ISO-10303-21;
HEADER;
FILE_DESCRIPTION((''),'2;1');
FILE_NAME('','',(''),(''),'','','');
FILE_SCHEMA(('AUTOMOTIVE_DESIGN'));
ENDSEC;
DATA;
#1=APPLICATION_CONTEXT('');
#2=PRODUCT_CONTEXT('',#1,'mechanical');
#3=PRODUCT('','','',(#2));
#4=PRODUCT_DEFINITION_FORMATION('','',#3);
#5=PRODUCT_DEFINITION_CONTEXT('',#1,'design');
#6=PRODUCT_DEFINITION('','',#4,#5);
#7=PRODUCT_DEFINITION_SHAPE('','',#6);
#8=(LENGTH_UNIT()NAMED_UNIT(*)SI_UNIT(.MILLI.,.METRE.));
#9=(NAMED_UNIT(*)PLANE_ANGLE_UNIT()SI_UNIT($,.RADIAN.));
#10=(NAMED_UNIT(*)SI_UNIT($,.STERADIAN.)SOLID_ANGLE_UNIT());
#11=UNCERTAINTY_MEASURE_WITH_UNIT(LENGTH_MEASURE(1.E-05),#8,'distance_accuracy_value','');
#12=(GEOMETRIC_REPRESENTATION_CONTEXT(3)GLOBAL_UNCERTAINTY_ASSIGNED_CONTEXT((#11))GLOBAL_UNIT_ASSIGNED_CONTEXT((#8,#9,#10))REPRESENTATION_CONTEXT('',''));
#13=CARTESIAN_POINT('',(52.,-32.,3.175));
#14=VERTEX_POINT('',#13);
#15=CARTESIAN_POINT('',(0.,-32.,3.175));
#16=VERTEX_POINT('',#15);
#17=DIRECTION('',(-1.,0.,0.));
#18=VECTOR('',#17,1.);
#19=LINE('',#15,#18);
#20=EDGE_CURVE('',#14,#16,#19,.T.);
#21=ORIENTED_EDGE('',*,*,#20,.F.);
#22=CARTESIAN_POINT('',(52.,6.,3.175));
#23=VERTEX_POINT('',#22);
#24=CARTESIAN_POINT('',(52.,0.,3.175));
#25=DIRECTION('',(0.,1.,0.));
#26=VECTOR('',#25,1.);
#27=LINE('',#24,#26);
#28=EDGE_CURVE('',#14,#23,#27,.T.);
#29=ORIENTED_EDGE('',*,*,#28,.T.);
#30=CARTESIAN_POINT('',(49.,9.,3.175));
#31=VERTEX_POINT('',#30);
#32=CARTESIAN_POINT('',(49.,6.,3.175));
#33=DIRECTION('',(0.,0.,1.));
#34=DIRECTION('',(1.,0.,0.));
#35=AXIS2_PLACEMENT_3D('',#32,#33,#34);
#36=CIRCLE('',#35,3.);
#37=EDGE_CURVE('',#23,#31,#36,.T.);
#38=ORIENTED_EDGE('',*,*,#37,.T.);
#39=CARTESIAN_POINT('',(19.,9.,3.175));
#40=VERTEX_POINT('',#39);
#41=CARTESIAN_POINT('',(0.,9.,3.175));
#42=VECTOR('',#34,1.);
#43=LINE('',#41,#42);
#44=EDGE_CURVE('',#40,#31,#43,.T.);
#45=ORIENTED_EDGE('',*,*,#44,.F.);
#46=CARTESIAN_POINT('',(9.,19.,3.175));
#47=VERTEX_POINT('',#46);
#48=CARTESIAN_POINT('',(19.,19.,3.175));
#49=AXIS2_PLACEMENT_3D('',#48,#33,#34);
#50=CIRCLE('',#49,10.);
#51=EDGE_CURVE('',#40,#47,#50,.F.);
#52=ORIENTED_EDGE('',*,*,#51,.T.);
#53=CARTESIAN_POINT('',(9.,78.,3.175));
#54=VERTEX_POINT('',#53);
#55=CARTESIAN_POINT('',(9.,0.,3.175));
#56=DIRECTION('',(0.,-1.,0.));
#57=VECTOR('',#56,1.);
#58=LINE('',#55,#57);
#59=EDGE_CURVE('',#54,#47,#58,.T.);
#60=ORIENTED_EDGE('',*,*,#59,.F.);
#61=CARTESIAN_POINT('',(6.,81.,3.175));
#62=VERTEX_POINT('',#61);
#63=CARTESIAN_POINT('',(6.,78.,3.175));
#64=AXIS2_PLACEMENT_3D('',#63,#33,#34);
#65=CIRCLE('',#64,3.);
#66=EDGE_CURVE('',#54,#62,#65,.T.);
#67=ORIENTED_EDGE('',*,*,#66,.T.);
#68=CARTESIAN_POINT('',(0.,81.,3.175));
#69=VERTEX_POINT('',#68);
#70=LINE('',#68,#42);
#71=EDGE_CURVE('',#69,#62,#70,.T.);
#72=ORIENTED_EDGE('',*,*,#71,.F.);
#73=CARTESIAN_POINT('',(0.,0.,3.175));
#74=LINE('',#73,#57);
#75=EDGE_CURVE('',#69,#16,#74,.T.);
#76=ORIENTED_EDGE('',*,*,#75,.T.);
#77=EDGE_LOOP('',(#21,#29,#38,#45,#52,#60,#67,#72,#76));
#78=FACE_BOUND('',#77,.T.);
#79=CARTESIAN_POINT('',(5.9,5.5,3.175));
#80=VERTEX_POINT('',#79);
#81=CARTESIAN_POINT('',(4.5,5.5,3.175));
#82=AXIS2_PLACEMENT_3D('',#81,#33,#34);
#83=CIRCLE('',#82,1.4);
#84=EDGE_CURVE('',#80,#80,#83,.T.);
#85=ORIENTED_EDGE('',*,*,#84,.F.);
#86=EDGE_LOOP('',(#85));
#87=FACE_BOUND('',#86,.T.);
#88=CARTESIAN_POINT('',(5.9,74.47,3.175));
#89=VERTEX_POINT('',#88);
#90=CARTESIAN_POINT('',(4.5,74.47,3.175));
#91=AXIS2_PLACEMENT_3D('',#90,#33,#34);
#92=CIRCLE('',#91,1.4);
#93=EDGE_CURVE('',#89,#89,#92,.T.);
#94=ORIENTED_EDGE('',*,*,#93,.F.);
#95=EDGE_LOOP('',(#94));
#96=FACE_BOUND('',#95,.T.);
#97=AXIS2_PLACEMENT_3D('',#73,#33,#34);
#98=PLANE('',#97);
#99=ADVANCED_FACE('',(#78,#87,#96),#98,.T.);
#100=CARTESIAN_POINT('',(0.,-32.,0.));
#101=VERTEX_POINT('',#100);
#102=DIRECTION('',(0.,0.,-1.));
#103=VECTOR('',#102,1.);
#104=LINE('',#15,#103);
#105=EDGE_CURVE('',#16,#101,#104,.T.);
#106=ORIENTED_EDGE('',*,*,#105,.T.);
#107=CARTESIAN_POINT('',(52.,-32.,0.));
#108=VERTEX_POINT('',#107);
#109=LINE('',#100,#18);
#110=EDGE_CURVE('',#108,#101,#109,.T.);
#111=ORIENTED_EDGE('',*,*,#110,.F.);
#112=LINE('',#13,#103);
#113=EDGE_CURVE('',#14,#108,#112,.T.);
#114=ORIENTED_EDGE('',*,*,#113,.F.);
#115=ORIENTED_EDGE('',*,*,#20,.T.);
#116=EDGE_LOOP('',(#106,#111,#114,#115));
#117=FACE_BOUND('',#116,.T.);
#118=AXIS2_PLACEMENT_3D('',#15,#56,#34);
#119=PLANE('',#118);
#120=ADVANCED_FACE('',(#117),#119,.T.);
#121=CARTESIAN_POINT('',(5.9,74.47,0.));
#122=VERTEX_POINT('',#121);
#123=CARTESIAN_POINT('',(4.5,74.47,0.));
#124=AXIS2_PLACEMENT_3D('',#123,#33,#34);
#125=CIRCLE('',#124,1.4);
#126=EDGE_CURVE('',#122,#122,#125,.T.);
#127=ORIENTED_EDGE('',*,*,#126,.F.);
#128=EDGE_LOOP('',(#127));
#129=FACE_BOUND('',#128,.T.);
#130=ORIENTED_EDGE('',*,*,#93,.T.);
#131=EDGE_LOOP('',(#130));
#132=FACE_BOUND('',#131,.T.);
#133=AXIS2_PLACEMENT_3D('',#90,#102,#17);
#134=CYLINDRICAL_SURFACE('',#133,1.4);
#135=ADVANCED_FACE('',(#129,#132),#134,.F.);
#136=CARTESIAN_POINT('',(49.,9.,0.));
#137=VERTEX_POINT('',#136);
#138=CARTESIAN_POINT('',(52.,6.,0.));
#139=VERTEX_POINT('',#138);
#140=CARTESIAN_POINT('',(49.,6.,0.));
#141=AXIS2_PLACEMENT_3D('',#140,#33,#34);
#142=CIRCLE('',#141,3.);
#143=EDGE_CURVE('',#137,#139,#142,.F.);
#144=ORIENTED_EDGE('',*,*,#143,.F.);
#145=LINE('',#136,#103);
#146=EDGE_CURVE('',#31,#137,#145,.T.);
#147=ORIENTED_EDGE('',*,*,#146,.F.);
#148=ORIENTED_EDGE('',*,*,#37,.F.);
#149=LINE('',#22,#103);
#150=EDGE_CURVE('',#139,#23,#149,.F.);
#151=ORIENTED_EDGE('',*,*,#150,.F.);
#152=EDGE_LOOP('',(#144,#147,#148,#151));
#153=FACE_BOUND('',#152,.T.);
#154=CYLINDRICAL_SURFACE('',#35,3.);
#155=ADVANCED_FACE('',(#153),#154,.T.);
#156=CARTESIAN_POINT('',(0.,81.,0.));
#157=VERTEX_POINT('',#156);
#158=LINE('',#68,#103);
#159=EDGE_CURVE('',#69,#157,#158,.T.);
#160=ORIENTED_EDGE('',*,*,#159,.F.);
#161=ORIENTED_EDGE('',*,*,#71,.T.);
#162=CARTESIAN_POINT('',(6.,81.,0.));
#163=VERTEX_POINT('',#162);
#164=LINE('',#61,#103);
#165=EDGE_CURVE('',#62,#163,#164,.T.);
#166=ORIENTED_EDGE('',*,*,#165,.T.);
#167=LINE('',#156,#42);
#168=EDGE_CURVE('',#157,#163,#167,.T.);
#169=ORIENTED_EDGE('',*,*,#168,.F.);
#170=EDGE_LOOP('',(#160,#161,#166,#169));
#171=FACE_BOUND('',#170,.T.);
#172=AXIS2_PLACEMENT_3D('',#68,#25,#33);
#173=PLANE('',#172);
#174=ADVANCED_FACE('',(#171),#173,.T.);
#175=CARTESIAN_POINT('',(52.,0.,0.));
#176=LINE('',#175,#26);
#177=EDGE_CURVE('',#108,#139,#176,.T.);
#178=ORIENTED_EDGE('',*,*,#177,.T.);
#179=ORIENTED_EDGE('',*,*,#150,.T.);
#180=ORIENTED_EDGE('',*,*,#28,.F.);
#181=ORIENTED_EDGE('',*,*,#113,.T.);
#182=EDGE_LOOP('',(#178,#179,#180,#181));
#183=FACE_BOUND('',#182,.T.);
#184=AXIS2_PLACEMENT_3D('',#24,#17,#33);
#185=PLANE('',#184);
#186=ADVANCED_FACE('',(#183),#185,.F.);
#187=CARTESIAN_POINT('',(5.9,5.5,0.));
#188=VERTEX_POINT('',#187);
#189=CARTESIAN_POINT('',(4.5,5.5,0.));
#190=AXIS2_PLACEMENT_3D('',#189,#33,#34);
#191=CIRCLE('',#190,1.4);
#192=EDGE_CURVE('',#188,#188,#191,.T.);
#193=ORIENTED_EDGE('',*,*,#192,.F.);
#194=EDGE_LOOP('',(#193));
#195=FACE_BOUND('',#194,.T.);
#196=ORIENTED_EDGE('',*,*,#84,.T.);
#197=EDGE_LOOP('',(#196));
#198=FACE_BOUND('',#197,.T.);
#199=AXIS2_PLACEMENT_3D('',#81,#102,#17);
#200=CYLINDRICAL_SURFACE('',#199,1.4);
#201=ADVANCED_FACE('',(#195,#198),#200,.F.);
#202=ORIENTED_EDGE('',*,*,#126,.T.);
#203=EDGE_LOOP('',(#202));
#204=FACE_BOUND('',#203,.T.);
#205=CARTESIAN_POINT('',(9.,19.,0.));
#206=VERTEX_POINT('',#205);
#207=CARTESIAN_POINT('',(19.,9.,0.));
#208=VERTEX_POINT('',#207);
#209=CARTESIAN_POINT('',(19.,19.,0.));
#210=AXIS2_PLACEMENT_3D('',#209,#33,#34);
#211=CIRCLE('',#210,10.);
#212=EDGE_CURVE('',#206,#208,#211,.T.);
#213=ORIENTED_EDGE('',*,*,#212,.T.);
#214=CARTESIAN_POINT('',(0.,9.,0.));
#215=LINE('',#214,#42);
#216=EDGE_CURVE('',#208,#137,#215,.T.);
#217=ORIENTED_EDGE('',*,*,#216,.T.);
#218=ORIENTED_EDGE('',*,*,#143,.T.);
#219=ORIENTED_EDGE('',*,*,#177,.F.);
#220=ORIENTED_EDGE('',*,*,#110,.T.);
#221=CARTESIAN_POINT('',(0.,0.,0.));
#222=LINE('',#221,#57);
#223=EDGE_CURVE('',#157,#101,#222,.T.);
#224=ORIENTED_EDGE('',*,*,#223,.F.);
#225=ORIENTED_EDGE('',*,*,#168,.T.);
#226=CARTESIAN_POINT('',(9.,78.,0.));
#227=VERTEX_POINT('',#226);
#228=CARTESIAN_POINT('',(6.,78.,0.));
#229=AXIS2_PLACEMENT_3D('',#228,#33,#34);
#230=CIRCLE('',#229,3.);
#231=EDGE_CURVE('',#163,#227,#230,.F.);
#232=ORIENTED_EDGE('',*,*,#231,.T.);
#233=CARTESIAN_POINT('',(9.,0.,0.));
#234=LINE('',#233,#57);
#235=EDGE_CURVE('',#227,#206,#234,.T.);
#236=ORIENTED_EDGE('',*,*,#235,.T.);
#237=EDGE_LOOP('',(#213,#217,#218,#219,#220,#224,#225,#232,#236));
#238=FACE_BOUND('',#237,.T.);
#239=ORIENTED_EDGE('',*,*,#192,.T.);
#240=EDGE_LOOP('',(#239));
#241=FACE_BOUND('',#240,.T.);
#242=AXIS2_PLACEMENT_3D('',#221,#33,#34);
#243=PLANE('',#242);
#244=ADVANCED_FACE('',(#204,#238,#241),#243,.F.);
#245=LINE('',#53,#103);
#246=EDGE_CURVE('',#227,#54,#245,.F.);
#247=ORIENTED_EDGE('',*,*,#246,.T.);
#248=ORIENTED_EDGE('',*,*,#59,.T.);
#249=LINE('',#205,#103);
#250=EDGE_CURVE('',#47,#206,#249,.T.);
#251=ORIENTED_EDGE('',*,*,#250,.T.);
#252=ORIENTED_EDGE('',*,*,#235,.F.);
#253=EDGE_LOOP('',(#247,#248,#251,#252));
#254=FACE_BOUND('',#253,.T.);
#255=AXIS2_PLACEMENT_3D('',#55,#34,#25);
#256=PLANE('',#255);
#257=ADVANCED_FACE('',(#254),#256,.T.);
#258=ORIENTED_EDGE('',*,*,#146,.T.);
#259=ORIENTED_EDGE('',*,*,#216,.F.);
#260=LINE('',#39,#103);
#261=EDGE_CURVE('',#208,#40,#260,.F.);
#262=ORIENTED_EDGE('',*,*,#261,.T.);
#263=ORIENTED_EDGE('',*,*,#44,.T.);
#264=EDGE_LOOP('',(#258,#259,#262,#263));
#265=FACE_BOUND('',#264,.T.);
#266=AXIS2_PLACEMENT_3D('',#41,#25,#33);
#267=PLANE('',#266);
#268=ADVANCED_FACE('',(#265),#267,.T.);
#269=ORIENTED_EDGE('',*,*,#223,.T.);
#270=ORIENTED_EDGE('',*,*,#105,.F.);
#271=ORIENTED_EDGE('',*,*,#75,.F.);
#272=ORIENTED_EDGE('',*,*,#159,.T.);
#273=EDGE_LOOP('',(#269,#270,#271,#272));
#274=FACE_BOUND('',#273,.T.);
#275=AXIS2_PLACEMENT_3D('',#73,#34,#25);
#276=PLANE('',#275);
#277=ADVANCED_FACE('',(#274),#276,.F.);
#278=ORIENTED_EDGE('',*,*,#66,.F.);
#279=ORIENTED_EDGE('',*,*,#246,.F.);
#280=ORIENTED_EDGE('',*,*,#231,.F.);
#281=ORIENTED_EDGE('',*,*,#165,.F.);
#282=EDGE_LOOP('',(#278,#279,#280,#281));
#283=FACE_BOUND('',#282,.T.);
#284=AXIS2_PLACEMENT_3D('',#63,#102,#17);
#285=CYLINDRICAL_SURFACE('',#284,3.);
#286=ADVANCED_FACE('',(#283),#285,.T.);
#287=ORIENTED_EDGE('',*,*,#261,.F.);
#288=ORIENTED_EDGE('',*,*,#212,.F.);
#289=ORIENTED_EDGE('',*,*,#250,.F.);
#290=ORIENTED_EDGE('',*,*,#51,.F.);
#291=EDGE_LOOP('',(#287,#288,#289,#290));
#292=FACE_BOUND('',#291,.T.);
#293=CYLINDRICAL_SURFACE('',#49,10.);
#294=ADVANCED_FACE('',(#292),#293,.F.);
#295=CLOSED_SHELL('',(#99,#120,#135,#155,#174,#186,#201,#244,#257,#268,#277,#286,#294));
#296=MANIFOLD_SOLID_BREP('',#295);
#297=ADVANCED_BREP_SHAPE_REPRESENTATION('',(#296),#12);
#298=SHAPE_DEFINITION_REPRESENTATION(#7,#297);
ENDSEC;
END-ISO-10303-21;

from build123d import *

# Parameters (mm, degrees)
SKETCH1_R           = 1.4
BOSS_EXTRUDE1_DEPTH = 3.175
FILLET1_R           = 10
FILLET2_R           = 3


with BuildPart() as part:
    # Sketch1 → Boss-Extrude1 (new body)
    with BuildSketch(Plane.XY):
        Polygon((9, 9), (9, 81), (0, 81), (0, -32), (52, -32), (52, 9), align=None)
        with Locations((4.5, 5.5)):
            Circle(SKETCH1_R, mode=Mode.SUBTRACT)
        with Locations((4.5, 74.47)):
            Circle(SKETCH1_R, mode=Mode.SUBTRACT)
    extrude(amount=BOSS_EXTRUDE1_DEPTH)

    # Fillet1
    fillet1_edges = [part.edges().sort_by_distance(p)[0] for p in [
        (9, 9, 1.5875),
    ]]
    fillet(fillet1_edges, radius=FILLET1_R)

    # Fillet2
    fillet2_edges = [part.edges().sort_by_distance(p)[0] for p in [
        (9, 81, 1.5875),
        (52, 9, 1.5875),
    ]]
    fillet(fillet2_edges, radius=FILLET2_R)


solid = part.part
